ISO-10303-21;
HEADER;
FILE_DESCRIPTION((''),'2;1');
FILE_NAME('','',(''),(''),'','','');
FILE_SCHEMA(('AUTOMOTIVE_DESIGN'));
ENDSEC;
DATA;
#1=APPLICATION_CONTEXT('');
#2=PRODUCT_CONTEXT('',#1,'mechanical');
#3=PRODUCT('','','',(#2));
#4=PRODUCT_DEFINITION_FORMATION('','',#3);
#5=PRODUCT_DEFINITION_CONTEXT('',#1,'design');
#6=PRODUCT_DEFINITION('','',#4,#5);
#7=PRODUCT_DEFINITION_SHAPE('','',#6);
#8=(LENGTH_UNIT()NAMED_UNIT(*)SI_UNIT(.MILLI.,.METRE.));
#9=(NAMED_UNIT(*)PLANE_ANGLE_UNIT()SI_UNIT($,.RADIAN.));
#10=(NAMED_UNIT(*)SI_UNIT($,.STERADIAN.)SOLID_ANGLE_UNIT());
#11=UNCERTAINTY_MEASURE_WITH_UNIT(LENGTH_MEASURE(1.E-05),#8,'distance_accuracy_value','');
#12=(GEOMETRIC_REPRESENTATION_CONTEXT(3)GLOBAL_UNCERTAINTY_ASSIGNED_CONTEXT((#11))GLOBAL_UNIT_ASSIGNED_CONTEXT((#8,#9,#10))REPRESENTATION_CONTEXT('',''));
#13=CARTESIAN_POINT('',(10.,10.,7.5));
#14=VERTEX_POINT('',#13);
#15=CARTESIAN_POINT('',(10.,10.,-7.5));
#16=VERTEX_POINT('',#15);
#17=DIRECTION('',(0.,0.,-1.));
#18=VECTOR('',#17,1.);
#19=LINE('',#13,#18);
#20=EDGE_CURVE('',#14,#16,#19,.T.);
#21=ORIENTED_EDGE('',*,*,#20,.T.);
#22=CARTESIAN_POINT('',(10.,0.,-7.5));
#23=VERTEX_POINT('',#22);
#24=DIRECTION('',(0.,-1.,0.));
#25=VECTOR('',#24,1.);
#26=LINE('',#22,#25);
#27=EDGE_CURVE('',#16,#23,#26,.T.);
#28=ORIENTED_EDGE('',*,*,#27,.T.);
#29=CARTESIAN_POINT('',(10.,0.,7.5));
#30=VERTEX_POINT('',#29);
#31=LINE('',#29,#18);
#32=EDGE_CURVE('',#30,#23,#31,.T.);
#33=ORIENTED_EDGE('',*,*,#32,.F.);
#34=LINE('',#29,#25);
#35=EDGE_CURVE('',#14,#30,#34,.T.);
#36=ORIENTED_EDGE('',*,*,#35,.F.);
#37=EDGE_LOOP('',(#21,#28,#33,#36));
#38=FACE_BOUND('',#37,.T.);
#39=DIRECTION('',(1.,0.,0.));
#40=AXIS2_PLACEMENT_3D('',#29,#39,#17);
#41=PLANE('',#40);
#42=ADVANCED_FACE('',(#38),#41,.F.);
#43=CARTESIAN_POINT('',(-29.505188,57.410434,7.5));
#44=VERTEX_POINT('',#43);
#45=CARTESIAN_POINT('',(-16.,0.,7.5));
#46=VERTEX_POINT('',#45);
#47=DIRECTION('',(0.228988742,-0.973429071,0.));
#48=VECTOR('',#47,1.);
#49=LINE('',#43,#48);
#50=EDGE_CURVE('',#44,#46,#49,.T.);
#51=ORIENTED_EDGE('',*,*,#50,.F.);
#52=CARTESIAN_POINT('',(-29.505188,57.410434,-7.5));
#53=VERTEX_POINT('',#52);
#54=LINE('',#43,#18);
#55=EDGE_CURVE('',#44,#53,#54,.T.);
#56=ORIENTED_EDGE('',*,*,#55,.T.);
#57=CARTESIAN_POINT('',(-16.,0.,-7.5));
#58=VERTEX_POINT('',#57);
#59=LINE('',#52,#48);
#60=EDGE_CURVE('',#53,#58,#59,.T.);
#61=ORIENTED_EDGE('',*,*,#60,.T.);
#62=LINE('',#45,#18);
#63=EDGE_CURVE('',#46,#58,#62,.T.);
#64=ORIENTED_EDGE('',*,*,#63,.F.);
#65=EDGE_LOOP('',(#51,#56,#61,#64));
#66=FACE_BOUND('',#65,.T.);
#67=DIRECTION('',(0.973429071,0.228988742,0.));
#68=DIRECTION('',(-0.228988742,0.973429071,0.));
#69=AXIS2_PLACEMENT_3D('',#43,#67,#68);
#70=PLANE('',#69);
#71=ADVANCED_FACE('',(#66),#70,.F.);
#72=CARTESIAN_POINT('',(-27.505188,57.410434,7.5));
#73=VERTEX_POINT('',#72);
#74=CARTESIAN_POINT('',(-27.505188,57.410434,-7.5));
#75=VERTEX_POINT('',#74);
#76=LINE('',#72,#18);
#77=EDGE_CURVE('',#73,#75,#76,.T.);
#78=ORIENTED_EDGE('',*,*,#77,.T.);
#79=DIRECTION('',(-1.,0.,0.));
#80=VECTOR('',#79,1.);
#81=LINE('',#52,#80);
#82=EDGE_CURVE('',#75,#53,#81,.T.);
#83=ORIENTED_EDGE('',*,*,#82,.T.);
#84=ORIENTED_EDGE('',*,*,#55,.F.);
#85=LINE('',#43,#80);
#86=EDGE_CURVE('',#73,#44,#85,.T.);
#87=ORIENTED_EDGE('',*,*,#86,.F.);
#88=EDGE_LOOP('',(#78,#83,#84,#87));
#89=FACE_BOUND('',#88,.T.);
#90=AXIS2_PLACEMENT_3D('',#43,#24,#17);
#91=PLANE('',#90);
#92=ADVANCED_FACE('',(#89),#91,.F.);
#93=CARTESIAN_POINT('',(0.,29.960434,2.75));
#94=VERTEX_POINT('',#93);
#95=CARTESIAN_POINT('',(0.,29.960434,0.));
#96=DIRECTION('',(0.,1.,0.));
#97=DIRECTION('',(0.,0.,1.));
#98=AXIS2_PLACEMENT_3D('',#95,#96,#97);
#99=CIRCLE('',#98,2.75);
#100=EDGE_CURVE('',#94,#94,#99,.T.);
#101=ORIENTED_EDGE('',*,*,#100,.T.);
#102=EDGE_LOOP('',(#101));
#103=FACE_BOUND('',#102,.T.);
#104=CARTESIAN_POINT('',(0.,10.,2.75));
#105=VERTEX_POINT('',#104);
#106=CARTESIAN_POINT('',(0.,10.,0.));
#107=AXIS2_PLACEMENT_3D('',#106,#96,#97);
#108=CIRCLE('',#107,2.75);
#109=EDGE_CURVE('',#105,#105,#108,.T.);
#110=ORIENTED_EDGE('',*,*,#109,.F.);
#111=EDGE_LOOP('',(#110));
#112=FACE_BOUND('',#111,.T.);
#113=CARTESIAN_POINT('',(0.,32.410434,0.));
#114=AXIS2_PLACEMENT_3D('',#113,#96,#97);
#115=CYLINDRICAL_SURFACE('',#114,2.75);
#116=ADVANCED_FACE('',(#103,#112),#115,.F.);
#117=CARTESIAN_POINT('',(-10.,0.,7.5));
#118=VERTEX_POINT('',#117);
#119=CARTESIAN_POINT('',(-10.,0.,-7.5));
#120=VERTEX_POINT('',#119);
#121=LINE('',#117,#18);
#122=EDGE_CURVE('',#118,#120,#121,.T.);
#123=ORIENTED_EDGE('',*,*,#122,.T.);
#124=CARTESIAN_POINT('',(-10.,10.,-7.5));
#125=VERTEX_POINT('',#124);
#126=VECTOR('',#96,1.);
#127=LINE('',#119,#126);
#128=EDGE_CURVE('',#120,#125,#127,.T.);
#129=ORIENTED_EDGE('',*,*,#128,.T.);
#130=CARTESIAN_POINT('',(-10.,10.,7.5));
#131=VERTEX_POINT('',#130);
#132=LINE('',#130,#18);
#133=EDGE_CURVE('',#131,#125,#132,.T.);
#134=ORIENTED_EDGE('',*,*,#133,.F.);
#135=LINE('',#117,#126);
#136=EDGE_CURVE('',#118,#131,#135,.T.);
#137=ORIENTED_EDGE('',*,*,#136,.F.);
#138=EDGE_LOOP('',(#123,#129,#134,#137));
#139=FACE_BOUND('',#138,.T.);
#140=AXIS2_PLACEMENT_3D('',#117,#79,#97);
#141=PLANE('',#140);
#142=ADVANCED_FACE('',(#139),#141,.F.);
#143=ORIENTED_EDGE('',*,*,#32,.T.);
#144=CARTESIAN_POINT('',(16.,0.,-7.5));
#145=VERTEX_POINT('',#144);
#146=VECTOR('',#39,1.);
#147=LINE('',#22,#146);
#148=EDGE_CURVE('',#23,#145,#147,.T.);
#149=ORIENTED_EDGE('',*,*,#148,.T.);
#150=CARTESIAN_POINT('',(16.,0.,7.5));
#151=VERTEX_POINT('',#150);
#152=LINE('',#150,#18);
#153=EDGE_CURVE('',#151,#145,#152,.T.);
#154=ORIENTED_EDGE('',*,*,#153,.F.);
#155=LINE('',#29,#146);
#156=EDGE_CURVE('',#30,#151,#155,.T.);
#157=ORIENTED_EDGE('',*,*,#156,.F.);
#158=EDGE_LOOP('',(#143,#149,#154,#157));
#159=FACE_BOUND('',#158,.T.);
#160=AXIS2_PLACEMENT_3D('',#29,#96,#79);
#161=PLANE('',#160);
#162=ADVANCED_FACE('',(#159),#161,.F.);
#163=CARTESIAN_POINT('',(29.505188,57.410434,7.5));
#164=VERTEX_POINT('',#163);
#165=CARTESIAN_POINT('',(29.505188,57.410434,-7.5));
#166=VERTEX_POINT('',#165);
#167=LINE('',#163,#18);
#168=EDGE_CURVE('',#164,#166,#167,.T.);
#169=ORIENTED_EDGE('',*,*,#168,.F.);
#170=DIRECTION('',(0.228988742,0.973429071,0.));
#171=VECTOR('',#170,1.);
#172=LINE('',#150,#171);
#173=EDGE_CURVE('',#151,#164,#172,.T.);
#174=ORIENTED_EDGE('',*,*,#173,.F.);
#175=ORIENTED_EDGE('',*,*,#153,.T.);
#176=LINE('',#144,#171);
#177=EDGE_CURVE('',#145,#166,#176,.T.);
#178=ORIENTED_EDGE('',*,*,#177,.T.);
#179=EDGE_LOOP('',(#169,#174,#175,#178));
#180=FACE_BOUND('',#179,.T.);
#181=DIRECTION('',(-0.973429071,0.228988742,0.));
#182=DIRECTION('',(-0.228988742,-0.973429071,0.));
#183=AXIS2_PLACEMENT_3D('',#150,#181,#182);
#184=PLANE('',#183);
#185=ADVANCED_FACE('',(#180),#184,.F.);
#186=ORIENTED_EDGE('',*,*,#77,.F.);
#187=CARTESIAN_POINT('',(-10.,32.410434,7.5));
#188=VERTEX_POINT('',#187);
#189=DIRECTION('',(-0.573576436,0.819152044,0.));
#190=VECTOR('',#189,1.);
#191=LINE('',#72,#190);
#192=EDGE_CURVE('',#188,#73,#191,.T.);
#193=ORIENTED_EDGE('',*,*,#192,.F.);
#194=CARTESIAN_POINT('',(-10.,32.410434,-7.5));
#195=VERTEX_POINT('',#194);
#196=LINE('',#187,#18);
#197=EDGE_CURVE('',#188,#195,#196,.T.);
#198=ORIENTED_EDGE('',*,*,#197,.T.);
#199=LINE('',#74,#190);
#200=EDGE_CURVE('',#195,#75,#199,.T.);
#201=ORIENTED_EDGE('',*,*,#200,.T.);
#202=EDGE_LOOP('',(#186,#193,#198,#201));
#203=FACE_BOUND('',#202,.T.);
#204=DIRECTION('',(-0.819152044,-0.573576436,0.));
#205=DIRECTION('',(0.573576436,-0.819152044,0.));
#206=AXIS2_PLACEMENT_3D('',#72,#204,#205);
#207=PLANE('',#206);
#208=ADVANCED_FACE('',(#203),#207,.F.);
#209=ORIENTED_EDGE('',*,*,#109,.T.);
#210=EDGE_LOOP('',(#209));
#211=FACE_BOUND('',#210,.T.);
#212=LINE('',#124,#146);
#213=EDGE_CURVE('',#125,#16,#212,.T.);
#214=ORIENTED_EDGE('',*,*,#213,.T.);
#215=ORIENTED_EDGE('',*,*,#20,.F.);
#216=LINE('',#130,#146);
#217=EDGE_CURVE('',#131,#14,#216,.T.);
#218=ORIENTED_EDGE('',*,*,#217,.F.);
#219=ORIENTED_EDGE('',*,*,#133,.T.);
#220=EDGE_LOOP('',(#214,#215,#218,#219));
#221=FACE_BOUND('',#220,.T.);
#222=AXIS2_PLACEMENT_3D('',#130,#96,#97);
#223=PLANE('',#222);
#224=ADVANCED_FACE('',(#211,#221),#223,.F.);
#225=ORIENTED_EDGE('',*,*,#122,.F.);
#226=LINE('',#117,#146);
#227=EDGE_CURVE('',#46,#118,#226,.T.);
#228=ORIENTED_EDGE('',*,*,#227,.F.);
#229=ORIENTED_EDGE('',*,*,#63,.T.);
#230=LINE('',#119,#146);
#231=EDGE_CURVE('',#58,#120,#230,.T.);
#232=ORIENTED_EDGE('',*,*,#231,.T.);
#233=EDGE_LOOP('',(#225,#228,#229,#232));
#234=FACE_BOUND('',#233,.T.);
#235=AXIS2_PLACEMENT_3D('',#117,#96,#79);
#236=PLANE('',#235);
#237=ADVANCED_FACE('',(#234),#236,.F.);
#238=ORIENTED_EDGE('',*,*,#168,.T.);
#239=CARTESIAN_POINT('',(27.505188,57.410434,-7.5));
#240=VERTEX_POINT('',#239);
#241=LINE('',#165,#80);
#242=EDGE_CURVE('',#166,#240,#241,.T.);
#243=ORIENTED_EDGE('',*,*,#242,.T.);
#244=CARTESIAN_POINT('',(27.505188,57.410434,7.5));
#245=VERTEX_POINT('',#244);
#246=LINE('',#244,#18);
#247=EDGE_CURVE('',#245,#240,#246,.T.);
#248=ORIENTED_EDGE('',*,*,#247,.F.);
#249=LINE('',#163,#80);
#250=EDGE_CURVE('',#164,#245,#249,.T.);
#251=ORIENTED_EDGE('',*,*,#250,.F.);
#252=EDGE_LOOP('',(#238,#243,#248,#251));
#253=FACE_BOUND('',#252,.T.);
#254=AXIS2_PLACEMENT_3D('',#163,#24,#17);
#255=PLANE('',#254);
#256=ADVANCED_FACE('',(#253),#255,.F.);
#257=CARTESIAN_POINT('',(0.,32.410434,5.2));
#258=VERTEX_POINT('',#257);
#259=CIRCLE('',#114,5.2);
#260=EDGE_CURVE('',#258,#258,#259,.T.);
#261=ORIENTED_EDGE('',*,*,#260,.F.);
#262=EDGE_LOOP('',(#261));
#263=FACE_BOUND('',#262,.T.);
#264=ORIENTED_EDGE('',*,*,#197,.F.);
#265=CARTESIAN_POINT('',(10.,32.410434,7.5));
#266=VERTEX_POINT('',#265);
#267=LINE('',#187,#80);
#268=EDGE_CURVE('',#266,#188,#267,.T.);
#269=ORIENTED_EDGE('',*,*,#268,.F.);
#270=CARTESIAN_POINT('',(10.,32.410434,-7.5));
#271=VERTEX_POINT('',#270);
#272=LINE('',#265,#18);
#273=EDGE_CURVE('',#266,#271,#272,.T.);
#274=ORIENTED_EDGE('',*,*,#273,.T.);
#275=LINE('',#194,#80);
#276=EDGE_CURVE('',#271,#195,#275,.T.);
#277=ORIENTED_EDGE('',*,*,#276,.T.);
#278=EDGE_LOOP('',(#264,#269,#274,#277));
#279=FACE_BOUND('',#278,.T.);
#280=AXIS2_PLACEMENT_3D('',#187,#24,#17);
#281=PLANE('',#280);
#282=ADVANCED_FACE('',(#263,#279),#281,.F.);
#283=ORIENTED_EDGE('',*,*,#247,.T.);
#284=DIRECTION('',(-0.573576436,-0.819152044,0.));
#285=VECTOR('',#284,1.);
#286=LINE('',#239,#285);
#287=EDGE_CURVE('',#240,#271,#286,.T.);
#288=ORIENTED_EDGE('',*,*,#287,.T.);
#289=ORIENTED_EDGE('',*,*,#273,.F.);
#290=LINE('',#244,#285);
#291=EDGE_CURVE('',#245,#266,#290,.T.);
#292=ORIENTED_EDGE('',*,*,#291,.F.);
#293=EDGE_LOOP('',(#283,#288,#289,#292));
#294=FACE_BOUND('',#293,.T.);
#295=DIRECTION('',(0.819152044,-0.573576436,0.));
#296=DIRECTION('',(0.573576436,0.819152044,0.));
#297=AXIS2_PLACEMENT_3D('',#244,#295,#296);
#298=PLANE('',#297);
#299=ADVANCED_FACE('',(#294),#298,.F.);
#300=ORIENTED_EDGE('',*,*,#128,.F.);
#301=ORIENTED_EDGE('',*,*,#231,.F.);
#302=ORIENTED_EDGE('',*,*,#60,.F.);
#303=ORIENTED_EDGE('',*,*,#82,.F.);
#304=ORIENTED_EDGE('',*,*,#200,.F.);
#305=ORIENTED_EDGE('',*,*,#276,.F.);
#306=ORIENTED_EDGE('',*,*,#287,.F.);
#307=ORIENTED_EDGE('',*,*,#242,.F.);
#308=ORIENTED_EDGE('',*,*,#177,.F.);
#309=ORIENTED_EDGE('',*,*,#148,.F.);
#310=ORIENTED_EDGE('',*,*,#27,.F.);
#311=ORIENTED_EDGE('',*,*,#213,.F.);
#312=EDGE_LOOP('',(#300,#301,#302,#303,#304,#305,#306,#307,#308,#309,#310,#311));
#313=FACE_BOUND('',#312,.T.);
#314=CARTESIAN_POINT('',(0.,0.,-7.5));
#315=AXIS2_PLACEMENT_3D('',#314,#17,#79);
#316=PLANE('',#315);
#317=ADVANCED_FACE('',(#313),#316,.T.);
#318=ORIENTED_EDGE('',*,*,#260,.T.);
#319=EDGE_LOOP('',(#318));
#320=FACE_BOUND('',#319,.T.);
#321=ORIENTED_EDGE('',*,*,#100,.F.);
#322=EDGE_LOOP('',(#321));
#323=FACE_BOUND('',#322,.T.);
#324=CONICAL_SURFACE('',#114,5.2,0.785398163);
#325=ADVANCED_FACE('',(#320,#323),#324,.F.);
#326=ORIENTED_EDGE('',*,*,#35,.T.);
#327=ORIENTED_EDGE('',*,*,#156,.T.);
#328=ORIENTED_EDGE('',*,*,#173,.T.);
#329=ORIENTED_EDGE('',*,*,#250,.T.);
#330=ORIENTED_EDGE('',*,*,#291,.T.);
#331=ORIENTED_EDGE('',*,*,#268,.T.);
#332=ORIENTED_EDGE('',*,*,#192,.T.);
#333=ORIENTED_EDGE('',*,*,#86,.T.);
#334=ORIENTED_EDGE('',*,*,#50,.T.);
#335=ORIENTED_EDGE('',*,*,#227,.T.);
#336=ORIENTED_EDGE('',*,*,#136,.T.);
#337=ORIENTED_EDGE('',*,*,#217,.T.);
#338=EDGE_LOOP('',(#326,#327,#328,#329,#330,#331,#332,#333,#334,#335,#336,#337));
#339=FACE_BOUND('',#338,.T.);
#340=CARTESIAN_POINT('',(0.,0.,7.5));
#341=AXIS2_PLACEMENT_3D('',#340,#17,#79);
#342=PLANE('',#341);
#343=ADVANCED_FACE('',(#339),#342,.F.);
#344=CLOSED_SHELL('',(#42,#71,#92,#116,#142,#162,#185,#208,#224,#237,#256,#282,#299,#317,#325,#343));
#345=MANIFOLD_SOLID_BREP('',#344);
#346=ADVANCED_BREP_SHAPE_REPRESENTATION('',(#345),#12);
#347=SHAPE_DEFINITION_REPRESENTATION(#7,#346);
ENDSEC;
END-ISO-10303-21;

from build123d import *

# Parameters (mm, degrees)
EXTRUDE_1_DEPTH             = 7.5
HOLE_WIZARD_M51_D           = 5.5
HOLE_WIZARD_M51_CSINK_D     = 10.4
HOLE_WIZARD_M51_CSINK_ANGLE = 90


with BuildPart() as part:
    # Эскиз1 → Бобышка-Вытянуть1 (new, symmetric)
    with BuildSketch(Plane.XY):
        Polygon((-10, 0), (-10, 10), (10, 10), (10, 0), (16, 0), (29.505188455, 57.41043399), (27.505188455, 57.41043399), (10, 32.41043399), (-10, 32.41043399), (-27.505188455, 57.41043399), (-29.505188455, 57.41043399), (-16, 0), align=None)
    extrude(amount=EXTRUDE_1_DEPTH, both=True)

    # Зенковка для  винта с плоской головкой M51 (through all)
    with Locations(Plane.ZX.offset(32.41043399)):
        with Locations((0, 0)):
            CounterSinkHole(HOLE_WIZARD_M51_D / 2, HOLE_WIZARD_M51_CSINK_D / 2, counter_sink_angle=HOLE_WIZARD_M51_CSINK_ANGLE)


solid = part.part
